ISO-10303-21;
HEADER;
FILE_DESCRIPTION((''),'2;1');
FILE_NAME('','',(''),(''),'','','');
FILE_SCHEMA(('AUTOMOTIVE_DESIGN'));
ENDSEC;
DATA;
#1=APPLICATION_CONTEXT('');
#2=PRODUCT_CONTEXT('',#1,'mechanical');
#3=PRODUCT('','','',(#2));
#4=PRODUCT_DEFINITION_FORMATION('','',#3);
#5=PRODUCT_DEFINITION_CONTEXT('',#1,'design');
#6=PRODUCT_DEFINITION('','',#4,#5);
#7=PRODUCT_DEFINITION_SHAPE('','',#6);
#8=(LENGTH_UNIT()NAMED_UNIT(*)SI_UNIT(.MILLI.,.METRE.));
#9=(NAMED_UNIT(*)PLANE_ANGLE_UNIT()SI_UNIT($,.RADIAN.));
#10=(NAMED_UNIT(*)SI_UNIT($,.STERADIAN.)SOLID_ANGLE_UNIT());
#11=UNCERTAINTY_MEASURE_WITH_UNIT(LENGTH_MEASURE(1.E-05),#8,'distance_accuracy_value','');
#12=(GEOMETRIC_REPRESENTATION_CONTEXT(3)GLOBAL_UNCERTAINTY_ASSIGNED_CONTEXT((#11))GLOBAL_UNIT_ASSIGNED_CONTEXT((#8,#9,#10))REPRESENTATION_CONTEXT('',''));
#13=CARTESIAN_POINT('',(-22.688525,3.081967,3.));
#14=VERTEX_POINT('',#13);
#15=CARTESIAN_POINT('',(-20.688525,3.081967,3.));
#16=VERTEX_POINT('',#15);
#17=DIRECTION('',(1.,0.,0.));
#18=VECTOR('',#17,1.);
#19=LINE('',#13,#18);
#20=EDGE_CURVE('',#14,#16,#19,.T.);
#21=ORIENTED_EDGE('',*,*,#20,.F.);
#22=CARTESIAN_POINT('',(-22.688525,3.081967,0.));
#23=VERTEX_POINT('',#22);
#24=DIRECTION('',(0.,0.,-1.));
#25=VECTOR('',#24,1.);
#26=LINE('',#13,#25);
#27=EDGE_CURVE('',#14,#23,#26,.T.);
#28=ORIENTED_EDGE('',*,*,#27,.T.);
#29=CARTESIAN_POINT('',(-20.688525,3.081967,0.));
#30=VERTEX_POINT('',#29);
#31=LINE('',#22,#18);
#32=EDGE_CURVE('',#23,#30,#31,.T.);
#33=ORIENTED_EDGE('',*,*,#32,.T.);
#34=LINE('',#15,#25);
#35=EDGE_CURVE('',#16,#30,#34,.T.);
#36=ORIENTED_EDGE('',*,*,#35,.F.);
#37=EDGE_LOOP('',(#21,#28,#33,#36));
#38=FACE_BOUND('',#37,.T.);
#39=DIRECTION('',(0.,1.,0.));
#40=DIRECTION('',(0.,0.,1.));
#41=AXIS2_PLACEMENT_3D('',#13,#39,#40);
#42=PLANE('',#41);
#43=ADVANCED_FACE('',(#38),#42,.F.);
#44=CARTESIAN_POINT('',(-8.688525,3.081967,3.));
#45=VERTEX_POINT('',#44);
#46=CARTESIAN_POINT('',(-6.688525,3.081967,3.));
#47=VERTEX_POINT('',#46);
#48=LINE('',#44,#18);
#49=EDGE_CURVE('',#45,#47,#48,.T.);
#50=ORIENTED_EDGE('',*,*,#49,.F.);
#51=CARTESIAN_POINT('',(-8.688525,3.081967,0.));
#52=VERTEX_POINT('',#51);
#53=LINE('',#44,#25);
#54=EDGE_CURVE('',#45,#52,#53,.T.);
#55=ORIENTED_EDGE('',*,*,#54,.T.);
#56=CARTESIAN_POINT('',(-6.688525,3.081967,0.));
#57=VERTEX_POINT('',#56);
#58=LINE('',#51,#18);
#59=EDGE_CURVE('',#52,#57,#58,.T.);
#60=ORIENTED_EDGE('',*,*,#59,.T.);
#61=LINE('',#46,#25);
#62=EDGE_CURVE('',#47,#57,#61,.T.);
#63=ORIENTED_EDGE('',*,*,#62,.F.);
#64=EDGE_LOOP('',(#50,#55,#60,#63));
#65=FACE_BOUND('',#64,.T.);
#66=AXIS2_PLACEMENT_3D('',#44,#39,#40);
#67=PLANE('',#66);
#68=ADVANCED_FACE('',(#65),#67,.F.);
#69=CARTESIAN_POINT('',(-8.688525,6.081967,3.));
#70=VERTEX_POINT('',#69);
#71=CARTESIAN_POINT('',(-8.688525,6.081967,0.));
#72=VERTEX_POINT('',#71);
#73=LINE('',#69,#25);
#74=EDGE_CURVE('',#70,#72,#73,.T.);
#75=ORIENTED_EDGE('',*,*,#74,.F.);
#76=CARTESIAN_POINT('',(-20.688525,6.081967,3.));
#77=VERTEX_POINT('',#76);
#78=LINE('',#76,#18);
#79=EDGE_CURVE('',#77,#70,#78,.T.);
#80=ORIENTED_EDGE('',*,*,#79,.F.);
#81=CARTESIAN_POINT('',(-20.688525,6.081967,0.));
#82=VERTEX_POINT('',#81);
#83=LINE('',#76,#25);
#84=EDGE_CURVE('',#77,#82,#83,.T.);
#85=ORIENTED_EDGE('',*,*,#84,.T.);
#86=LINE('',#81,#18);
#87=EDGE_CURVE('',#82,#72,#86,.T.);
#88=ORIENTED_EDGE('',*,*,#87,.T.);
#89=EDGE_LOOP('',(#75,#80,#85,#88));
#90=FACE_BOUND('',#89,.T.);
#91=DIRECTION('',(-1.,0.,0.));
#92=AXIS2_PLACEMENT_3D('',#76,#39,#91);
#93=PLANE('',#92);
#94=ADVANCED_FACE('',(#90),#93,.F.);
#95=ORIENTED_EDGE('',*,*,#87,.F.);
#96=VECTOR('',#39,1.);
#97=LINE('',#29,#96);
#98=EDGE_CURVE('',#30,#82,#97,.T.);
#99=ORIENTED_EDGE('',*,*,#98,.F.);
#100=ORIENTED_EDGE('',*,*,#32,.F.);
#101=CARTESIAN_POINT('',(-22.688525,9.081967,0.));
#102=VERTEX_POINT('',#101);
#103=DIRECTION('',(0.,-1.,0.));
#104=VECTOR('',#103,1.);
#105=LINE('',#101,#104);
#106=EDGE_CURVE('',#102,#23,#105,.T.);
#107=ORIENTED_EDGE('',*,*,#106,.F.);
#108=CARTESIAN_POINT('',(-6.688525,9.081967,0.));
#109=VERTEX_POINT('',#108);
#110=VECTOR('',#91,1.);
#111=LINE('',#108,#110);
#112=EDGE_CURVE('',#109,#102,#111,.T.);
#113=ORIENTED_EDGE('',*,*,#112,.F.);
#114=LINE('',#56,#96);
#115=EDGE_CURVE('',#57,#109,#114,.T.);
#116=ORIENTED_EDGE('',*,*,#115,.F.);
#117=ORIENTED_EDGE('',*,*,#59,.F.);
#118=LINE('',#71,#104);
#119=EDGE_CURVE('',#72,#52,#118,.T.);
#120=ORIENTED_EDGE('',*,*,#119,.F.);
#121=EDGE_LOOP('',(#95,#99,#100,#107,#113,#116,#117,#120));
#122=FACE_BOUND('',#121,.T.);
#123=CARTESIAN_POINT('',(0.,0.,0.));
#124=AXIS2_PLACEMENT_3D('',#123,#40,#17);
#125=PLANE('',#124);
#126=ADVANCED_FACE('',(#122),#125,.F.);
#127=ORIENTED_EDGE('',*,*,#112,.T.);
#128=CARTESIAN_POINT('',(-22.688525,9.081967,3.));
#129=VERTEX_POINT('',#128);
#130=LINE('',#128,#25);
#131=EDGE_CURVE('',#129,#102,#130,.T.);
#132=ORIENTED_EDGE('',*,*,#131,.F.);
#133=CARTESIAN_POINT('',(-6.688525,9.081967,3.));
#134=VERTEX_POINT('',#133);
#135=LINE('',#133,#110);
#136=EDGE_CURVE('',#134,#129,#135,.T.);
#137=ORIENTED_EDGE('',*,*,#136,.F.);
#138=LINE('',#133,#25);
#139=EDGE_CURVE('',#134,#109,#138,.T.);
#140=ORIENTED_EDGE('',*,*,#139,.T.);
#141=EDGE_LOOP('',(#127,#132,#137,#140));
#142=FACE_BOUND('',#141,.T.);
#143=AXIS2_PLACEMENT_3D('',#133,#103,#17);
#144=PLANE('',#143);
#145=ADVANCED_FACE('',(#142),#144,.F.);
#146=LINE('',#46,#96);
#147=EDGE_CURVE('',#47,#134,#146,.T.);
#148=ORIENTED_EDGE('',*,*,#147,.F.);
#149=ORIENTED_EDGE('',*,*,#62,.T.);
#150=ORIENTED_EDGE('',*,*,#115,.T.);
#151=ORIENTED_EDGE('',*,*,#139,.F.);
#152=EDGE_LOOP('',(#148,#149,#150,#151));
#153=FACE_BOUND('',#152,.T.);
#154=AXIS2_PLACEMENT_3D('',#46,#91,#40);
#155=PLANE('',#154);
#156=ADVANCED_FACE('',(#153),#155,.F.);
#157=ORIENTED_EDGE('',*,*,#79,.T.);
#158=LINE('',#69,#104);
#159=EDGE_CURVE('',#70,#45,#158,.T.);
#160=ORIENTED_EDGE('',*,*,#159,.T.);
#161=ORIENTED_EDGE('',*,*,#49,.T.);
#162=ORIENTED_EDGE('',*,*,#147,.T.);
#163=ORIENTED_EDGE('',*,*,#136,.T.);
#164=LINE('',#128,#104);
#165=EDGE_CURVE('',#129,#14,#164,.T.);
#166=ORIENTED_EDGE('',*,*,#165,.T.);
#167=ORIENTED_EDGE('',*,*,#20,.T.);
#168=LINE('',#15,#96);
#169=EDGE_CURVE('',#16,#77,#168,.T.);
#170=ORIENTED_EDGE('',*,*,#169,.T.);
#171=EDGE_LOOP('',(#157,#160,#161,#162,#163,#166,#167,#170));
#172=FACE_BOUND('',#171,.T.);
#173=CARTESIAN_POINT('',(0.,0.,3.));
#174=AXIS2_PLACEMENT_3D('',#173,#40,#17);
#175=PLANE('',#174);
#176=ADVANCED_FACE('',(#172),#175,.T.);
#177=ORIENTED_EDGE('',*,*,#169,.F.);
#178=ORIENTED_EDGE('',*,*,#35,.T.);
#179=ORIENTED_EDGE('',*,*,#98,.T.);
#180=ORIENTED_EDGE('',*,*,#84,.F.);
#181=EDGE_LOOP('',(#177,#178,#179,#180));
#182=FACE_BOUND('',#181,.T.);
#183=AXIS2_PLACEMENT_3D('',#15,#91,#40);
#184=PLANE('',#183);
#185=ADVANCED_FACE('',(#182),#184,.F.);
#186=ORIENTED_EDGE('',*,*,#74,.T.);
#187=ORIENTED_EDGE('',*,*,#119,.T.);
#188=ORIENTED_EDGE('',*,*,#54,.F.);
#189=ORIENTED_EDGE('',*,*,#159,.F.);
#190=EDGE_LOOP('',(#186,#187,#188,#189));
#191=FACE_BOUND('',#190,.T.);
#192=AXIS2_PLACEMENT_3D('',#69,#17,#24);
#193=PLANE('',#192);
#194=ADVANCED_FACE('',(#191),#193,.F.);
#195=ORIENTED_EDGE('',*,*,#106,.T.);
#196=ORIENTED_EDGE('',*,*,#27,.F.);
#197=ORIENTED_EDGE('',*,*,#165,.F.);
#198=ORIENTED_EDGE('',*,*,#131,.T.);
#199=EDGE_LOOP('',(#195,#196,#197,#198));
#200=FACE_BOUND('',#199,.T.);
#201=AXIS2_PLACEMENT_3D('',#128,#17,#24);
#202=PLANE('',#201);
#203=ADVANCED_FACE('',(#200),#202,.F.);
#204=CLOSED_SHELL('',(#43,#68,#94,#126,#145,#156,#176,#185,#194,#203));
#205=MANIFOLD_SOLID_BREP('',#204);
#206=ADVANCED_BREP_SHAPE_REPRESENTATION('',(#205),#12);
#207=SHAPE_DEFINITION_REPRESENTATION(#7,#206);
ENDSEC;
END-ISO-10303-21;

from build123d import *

# Parameters (mm, degrees)
BOSS_EXTRUDE1_DEPTH = 3


with BuildPart() as part:
    # Sketch1 → Boss-Extrude1 (new body)
    with BuildSketch(Plane.XY):
        Polygon((-22.68852459, 3.081967213), (-20.68852459, 3.081967213), (-20.68852459, 6.081967213), (-8.68852459, 6.081967213), (-8.68852459, 3.081967213), (-6.68852459, 3.081967213), (-6.68852459, 9.081967213), (-22.68852459, 9.081967213), align=None)
    extrude(amount=BOSS_EXTRUDE1_DEPTH)


solid = part.part
